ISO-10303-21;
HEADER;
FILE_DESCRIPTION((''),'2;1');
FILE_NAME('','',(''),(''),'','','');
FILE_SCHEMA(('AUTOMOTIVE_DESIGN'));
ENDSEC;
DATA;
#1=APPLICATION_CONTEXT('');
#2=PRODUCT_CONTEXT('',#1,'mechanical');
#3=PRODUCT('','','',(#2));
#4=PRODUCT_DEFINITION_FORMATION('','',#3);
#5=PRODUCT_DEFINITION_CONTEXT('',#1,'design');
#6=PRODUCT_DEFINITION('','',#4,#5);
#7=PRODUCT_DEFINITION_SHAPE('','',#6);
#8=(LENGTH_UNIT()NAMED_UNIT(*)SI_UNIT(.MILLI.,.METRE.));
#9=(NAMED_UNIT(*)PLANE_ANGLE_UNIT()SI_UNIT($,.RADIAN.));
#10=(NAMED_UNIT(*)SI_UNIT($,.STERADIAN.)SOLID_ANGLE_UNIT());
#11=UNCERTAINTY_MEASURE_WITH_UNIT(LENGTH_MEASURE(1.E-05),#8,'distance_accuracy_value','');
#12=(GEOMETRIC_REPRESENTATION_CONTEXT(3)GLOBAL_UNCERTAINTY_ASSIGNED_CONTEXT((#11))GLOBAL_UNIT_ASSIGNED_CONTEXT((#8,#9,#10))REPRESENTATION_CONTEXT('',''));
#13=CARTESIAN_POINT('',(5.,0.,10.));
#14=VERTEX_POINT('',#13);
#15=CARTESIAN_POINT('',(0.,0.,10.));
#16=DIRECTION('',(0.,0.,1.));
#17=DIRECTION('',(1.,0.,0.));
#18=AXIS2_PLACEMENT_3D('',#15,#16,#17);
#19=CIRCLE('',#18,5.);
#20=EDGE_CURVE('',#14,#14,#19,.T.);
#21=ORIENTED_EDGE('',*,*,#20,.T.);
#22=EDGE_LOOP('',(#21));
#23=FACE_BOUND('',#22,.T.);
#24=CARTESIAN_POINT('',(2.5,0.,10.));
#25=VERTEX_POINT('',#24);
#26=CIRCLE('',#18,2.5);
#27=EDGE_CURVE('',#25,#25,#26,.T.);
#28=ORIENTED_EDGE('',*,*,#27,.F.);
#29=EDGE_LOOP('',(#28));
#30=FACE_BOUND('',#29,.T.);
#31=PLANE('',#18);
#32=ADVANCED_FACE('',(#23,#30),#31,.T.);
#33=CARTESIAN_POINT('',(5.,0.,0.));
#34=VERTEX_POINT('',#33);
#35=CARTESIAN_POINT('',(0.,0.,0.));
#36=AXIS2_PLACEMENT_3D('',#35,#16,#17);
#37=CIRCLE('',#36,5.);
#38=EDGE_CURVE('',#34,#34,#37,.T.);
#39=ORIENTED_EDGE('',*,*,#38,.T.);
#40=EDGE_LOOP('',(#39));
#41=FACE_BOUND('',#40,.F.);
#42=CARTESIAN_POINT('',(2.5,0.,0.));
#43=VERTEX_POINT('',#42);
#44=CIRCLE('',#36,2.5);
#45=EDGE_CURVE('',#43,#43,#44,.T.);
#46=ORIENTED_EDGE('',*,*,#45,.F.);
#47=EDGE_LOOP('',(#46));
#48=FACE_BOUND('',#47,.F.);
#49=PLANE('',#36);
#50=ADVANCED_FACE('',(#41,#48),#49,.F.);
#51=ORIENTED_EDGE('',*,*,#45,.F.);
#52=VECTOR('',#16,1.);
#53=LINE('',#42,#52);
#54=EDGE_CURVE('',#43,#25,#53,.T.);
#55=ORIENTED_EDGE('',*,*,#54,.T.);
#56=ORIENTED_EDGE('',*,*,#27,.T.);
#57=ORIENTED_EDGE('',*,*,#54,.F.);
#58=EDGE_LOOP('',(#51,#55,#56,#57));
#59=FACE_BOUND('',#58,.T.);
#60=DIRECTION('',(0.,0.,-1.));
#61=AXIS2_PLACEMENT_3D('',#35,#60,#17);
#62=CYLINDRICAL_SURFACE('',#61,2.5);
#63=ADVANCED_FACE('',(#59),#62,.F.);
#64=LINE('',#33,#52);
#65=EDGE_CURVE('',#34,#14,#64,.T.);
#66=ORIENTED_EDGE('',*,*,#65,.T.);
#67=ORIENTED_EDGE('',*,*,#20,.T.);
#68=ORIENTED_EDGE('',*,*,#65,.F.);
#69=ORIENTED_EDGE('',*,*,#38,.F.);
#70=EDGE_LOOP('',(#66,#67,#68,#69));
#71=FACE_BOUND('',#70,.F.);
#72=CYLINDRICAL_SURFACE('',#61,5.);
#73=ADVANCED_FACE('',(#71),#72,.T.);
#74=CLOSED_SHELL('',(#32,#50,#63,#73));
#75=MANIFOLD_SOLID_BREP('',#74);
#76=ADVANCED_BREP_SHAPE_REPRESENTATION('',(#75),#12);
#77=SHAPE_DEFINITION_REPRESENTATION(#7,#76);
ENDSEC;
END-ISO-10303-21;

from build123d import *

# Parameters (mm, degrees)
SKETCH_R   = 5
SKETCH_R_2 = 2.5
PAD_DEPTH  = 10


with BuildPart() as part:
    # Sketch → Pad (new body)
    with BuildSketch(Plane.XY):
        Circle(SKETCH_R)
        Circle(SKETCH_R_2, mode=Mode.SUBTRACT)
    extrude(amount=PAD_DEPTH)


solid = part.part
